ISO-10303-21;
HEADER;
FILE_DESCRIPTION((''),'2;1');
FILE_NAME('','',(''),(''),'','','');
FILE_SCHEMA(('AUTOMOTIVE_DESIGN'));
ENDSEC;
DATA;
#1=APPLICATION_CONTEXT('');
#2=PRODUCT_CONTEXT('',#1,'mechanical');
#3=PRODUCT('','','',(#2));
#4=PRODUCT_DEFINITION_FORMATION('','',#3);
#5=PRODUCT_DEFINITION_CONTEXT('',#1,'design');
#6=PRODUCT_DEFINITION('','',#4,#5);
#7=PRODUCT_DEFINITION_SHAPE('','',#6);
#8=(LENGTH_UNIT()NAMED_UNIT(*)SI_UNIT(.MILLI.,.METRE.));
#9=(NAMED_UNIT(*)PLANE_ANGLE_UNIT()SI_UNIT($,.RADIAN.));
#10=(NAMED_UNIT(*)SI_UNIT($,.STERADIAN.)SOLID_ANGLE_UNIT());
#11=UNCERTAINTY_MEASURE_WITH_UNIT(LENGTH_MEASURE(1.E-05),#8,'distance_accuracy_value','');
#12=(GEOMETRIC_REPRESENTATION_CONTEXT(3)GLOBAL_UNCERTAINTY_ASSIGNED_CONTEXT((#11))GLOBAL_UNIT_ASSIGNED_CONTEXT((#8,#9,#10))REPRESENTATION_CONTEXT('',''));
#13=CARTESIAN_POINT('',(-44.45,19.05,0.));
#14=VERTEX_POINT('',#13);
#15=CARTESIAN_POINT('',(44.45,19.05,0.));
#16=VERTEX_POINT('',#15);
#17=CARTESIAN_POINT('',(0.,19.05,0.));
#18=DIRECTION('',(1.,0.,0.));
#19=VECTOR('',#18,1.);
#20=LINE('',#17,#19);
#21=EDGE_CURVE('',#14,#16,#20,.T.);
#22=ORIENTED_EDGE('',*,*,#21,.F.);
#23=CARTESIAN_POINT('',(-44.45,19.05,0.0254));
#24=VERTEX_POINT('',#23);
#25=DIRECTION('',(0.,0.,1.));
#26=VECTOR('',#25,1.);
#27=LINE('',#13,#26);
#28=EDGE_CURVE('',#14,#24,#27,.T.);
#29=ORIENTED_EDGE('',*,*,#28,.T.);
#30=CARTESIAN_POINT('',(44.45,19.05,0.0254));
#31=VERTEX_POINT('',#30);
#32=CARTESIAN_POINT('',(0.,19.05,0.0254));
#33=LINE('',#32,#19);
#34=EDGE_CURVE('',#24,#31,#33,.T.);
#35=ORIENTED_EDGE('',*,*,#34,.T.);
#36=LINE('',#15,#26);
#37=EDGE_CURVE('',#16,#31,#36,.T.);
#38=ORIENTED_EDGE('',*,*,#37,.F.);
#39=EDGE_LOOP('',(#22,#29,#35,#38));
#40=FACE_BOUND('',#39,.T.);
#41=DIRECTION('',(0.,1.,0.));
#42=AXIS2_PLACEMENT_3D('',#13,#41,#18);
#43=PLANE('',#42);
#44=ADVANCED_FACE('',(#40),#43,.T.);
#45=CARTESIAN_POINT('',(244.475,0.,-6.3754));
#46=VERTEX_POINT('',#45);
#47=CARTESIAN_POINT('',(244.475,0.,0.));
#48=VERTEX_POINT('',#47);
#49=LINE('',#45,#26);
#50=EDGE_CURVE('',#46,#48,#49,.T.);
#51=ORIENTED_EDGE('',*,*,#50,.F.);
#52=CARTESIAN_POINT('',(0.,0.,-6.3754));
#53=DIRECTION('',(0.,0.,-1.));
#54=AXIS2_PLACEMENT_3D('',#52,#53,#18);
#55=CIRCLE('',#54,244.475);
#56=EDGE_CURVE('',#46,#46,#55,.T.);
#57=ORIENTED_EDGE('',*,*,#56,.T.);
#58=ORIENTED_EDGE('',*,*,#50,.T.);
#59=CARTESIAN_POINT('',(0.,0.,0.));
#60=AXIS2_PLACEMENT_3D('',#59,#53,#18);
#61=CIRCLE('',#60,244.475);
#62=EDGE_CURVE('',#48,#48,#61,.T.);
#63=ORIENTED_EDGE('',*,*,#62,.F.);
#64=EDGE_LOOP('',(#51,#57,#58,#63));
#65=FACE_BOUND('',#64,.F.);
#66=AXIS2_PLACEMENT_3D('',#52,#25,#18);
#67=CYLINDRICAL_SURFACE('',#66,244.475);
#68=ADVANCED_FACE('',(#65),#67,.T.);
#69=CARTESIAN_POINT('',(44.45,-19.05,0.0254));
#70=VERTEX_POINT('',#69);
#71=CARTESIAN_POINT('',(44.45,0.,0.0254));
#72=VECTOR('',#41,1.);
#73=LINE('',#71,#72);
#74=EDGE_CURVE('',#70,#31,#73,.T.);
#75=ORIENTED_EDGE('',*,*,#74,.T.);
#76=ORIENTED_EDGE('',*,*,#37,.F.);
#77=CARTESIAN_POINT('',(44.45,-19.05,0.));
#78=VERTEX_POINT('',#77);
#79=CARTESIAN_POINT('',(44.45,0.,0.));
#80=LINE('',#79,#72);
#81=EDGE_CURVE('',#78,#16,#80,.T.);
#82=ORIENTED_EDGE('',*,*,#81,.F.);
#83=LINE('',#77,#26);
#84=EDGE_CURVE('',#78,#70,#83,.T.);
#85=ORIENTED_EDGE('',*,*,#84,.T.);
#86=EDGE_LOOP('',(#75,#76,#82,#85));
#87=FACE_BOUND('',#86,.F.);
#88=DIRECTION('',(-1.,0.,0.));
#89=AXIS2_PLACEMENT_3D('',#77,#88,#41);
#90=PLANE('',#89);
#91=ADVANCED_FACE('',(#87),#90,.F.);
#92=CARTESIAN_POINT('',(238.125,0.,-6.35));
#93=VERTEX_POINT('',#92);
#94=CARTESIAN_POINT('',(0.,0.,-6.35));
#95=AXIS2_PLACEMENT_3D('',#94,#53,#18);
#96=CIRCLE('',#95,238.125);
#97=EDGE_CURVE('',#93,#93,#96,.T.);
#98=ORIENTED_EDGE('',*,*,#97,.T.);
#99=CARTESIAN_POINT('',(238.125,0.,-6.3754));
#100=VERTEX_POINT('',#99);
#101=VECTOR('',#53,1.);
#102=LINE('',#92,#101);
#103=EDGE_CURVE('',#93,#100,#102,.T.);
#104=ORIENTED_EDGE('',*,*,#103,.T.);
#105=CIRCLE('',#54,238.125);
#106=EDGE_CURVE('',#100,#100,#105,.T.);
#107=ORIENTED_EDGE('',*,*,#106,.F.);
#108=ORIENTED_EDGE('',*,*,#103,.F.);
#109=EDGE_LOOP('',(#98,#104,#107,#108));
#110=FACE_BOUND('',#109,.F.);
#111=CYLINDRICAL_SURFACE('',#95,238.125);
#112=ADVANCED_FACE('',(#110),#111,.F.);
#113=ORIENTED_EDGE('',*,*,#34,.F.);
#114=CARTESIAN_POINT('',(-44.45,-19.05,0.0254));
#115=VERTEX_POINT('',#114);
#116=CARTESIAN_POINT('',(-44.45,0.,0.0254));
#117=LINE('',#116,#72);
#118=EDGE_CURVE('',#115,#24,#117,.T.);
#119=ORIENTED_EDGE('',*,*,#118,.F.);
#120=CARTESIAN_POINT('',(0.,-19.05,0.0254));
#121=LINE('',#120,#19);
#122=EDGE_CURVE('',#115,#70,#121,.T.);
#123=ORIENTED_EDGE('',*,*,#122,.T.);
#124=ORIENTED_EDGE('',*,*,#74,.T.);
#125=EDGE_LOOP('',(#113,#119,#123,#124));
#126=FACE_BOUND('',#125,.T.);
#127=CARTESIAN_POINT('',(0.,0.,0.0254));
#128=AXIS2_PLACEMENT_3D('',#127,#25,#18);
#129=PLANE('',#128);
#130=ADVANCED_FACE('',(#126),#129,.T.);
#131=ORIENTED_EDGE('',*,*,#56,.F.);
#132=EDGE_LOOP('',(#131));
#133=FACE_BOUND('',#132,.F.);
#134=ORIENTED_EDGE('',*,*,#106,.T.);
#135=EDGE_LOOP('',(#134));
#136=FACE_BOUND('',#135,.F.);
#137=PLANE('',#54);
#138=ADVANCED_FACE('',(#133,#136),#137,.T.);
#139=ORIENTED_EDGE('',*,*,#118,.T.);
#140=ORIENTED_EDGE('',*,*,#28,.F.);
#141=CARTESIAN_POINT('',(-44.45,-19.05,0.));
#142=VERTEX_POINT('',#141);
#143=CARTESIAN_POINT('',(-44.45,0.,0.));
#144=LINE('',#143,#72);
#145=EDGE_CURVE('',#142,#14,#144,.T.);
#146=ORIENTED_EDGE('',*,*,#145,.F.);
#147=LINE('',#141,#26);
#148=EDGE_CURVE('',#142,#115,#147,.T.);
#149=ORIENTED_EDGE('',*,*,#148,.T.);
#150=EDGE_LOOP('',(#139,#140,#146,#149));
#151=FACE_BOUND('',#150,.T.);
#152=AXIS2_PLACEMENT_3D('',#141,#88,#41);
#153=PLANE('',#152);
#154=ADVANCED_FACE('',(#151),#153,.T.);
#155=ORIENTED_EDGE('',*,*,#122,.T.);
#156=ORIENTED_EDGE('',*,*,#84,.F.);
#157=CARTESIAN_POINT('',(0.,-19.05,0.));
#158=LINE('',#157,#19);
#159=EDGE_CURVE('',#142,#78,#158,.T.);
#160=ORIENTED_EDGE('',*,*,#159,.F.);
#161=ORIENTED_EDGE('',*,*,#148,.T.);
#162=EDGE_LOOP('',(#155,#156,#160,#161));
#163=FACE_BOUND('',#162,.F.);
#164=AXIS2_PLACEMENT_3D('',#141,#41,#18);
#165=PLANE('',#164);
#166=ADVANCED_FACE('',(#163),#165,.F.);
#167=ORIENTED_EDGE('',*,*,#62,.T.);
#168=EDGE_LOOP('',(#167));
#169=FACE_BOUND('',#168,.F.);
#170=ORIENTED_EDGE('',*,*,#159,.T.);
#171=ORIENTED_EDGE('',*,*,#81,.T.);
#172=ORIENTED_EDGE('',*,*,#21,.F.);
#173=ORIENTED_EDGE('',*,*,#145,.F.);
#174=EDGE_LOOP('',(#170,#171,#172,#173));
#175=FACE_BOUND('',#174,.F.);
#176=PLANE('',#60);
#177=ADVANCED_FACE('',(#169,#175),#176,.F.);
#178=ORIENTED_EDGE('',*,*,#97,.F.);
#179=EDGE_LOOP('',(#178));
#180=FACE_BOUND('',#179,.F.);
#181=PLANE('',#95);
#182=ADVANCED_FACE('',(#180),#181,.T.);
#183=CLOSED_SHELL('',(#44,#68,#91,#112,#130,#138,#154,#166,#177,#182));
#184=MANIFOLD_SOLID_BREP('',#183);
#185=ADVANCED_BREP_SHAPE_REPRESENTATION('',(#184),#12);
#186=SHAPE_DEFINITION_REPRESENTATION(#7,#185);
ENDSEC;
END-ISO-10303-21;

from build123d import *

# Parameters (mm, degrees)
F2_W     = 88.9
F2_H     = 38.1
F3_DEPTH = 0.0254


with BuildPart() as f1:
    # F0 (on Front) → F1 (revolve)
    with BuildSketch(Plane.XZ):
        Polygon((244.475, 0), (0, 0), (0, -6.35), (238.125, -6.35), (238.125, -6.3754), (244.475, -6.3754), align=None)
    revolve(axis=Axis((0, 0, -42.829115), (0, 0, -1)))

    # F2 (on face) → F3 (join)
    with BuildSketch(Plane.XY):
        Rectangle(F2_W, F2_H)
    extrude(amount=F3_DEPTH)


solid = f1.part
